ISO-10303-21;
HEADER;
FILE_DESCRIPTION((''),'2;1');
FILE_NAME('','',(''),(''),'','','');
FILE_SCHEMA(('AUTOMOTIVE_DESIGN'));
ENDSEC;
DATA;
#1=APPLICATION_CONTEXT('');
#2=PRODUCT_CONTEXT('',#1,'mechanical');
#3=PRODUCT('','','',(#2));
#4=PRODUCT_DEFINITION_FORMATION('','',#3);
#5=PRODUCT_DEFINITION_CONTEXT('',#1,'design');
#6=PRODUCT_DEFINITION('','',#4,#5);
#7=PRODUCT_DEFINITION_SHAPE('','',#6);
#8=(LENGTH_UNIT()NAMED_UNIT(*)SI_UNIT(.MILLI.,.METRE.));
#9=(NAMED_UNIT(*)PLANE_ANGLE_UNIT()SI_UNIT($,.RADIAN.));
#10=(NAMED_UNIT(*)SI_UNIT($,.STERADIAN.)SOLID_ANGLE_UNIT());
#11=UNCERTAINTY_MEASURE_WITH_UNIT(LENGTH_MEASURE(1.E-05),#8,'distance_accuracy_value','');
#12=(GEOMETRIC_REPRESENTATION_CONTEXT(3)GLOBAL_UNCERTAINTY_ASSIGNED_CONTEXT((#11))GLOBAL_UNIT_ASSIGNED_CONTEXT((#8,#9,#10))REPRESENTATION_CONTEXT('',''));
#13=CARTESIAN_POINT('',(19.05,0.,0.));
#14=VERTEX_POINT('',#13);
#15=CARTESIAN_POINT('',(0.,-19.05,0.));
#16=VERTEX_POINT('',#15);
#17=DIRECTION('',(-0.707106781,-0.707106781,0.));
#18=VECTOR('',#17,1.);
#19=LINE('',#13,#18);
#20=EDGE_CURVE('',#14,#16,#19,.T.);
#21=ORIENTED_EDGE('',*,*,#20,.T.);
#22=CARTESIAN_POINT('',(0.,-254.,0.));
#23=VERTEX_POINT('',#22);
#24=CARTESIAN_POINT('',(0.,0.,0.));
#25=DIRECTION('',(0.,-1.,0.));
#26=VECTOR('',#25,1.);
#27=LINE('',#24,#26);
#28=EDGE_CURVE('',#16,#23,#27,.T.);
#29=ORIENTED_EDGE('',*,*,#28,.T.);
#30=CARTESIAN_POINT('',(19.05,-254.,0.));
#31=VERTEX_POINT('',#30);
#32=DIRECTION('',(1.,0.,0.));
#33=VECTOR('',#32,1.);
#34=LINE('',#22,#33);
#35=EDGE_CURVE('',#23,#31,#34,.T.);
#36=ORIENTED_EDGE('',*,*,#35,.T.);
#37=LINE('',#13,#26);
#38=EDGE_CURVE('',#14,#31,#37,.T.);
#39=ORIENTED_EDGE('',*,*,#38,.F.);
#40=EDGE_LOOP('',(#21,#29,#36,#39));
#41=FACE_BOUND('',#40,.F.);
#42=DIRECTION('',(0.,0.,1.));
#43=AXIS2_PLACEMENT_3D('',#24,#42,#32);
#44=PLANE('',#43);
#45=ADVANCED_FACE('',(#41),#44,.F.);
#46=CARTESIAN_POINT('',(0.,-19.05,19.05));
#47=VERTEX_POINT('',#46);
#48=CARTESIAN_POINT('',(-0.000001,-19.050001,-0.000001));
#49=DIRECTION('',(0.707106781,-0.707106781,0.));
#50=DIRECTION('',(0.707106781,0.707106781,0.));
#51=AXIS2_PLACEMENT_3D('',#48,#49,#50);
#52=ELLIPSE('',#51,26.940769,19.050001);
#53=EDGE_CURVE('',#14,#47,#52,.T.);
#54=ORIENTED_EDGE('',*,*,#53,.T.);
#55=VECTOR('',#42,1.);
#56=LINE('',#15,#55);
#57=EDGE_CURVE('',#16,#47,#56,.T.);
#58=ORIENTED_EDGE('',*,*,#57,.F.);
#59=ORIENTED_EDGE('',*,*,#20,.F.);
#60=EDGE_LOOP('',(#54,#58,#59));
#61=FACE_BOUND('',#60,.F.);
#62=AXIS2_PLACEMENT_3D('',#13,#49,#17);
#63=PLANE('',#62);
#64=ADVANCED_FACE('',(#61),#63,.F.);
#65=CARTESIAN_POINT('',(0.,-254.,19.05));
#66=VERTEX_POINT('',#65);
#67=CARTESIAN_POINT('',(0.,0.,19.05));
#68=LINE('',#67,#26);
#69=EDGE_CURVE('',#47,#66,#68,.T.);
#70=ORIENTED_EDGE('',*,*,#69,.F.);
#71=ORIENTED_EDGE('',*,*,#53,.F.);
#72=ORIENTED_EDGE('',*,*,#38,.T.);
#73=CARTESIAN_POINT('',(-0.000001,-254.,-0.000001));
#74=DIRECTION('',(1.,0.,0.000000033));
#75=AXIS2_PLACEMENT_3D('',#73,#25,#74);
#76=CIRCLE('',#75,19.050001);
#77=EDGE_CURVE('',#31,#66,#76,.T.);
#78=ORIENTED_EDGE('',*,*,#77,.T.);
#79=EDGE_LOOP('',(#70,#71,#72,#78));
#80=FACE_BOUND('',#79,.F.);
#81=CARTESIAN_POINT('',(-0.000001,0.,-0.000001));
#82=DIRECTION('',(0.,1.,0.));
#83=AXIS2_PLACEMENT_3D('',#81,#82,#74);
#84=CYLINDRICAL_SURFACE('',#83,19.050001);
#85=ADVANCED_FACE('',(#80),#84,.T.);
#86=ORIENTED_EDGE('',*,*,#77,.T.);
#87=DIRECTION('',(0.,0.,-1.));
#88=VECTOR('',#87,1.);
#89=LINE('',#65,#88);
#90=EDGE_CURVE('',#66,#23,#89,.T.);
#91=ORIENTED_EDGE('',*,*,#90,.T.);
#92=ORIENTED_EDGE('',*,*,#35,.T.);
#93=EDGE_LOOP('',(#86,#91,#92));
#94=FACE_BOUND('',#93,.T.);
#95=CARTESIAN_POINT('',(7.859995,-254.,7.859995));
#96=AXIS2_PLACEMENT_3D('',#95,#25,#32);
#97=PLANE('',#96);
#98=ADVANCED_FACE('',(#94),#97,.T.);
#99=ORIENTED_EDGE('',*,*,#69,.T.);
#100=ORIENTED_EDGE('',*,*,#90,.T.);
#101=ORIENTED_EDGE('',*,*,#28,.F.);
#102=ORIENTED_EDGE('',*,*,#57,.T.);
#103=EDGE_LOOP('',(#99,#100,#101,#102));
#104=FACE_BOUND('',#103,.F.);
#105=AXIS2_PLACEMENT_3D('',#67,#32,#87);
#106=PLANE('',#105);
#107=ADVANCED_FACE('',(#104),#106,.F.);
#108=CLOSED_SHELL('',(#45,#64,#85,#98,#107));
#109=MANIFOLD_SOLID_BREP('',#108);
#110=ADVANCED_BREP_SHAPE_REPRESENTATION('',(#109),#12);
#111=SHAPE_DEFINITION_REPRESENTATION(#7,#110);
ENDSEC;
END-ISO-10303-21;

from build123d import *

# Parameters (mm, degrees)
F1_DEPTH = 254
F3_DEPTH = 25.4


with BuildPart() as f1:
    # F0 (on Front) → F1 (new body)
    with BuildSketch(Plane.XZ):
        with BuildLine():
            Line((0, 19.05), (0, 0))
            Line((0, 0), (19.05, 0))
            ThreePointArc((19.05, 0), (13.470384, 13.470384), (0, 19.05))
        make_face()
    extrude(amount=F1_DEPTH)

    # F2 (on face) → F3 (cut)
    with BuildSketch(Plane(origin=(0, 0, 0), x_dir=(1, 0, 0), z_dir=(0, 0, -1))):
        Polygon((0, 0), (19.05, 0), (0, 19.05), align=None)
    extrude(amount=-F3_DEPTH, mode=Mode.SUBTRACT)


solid = f1.part
